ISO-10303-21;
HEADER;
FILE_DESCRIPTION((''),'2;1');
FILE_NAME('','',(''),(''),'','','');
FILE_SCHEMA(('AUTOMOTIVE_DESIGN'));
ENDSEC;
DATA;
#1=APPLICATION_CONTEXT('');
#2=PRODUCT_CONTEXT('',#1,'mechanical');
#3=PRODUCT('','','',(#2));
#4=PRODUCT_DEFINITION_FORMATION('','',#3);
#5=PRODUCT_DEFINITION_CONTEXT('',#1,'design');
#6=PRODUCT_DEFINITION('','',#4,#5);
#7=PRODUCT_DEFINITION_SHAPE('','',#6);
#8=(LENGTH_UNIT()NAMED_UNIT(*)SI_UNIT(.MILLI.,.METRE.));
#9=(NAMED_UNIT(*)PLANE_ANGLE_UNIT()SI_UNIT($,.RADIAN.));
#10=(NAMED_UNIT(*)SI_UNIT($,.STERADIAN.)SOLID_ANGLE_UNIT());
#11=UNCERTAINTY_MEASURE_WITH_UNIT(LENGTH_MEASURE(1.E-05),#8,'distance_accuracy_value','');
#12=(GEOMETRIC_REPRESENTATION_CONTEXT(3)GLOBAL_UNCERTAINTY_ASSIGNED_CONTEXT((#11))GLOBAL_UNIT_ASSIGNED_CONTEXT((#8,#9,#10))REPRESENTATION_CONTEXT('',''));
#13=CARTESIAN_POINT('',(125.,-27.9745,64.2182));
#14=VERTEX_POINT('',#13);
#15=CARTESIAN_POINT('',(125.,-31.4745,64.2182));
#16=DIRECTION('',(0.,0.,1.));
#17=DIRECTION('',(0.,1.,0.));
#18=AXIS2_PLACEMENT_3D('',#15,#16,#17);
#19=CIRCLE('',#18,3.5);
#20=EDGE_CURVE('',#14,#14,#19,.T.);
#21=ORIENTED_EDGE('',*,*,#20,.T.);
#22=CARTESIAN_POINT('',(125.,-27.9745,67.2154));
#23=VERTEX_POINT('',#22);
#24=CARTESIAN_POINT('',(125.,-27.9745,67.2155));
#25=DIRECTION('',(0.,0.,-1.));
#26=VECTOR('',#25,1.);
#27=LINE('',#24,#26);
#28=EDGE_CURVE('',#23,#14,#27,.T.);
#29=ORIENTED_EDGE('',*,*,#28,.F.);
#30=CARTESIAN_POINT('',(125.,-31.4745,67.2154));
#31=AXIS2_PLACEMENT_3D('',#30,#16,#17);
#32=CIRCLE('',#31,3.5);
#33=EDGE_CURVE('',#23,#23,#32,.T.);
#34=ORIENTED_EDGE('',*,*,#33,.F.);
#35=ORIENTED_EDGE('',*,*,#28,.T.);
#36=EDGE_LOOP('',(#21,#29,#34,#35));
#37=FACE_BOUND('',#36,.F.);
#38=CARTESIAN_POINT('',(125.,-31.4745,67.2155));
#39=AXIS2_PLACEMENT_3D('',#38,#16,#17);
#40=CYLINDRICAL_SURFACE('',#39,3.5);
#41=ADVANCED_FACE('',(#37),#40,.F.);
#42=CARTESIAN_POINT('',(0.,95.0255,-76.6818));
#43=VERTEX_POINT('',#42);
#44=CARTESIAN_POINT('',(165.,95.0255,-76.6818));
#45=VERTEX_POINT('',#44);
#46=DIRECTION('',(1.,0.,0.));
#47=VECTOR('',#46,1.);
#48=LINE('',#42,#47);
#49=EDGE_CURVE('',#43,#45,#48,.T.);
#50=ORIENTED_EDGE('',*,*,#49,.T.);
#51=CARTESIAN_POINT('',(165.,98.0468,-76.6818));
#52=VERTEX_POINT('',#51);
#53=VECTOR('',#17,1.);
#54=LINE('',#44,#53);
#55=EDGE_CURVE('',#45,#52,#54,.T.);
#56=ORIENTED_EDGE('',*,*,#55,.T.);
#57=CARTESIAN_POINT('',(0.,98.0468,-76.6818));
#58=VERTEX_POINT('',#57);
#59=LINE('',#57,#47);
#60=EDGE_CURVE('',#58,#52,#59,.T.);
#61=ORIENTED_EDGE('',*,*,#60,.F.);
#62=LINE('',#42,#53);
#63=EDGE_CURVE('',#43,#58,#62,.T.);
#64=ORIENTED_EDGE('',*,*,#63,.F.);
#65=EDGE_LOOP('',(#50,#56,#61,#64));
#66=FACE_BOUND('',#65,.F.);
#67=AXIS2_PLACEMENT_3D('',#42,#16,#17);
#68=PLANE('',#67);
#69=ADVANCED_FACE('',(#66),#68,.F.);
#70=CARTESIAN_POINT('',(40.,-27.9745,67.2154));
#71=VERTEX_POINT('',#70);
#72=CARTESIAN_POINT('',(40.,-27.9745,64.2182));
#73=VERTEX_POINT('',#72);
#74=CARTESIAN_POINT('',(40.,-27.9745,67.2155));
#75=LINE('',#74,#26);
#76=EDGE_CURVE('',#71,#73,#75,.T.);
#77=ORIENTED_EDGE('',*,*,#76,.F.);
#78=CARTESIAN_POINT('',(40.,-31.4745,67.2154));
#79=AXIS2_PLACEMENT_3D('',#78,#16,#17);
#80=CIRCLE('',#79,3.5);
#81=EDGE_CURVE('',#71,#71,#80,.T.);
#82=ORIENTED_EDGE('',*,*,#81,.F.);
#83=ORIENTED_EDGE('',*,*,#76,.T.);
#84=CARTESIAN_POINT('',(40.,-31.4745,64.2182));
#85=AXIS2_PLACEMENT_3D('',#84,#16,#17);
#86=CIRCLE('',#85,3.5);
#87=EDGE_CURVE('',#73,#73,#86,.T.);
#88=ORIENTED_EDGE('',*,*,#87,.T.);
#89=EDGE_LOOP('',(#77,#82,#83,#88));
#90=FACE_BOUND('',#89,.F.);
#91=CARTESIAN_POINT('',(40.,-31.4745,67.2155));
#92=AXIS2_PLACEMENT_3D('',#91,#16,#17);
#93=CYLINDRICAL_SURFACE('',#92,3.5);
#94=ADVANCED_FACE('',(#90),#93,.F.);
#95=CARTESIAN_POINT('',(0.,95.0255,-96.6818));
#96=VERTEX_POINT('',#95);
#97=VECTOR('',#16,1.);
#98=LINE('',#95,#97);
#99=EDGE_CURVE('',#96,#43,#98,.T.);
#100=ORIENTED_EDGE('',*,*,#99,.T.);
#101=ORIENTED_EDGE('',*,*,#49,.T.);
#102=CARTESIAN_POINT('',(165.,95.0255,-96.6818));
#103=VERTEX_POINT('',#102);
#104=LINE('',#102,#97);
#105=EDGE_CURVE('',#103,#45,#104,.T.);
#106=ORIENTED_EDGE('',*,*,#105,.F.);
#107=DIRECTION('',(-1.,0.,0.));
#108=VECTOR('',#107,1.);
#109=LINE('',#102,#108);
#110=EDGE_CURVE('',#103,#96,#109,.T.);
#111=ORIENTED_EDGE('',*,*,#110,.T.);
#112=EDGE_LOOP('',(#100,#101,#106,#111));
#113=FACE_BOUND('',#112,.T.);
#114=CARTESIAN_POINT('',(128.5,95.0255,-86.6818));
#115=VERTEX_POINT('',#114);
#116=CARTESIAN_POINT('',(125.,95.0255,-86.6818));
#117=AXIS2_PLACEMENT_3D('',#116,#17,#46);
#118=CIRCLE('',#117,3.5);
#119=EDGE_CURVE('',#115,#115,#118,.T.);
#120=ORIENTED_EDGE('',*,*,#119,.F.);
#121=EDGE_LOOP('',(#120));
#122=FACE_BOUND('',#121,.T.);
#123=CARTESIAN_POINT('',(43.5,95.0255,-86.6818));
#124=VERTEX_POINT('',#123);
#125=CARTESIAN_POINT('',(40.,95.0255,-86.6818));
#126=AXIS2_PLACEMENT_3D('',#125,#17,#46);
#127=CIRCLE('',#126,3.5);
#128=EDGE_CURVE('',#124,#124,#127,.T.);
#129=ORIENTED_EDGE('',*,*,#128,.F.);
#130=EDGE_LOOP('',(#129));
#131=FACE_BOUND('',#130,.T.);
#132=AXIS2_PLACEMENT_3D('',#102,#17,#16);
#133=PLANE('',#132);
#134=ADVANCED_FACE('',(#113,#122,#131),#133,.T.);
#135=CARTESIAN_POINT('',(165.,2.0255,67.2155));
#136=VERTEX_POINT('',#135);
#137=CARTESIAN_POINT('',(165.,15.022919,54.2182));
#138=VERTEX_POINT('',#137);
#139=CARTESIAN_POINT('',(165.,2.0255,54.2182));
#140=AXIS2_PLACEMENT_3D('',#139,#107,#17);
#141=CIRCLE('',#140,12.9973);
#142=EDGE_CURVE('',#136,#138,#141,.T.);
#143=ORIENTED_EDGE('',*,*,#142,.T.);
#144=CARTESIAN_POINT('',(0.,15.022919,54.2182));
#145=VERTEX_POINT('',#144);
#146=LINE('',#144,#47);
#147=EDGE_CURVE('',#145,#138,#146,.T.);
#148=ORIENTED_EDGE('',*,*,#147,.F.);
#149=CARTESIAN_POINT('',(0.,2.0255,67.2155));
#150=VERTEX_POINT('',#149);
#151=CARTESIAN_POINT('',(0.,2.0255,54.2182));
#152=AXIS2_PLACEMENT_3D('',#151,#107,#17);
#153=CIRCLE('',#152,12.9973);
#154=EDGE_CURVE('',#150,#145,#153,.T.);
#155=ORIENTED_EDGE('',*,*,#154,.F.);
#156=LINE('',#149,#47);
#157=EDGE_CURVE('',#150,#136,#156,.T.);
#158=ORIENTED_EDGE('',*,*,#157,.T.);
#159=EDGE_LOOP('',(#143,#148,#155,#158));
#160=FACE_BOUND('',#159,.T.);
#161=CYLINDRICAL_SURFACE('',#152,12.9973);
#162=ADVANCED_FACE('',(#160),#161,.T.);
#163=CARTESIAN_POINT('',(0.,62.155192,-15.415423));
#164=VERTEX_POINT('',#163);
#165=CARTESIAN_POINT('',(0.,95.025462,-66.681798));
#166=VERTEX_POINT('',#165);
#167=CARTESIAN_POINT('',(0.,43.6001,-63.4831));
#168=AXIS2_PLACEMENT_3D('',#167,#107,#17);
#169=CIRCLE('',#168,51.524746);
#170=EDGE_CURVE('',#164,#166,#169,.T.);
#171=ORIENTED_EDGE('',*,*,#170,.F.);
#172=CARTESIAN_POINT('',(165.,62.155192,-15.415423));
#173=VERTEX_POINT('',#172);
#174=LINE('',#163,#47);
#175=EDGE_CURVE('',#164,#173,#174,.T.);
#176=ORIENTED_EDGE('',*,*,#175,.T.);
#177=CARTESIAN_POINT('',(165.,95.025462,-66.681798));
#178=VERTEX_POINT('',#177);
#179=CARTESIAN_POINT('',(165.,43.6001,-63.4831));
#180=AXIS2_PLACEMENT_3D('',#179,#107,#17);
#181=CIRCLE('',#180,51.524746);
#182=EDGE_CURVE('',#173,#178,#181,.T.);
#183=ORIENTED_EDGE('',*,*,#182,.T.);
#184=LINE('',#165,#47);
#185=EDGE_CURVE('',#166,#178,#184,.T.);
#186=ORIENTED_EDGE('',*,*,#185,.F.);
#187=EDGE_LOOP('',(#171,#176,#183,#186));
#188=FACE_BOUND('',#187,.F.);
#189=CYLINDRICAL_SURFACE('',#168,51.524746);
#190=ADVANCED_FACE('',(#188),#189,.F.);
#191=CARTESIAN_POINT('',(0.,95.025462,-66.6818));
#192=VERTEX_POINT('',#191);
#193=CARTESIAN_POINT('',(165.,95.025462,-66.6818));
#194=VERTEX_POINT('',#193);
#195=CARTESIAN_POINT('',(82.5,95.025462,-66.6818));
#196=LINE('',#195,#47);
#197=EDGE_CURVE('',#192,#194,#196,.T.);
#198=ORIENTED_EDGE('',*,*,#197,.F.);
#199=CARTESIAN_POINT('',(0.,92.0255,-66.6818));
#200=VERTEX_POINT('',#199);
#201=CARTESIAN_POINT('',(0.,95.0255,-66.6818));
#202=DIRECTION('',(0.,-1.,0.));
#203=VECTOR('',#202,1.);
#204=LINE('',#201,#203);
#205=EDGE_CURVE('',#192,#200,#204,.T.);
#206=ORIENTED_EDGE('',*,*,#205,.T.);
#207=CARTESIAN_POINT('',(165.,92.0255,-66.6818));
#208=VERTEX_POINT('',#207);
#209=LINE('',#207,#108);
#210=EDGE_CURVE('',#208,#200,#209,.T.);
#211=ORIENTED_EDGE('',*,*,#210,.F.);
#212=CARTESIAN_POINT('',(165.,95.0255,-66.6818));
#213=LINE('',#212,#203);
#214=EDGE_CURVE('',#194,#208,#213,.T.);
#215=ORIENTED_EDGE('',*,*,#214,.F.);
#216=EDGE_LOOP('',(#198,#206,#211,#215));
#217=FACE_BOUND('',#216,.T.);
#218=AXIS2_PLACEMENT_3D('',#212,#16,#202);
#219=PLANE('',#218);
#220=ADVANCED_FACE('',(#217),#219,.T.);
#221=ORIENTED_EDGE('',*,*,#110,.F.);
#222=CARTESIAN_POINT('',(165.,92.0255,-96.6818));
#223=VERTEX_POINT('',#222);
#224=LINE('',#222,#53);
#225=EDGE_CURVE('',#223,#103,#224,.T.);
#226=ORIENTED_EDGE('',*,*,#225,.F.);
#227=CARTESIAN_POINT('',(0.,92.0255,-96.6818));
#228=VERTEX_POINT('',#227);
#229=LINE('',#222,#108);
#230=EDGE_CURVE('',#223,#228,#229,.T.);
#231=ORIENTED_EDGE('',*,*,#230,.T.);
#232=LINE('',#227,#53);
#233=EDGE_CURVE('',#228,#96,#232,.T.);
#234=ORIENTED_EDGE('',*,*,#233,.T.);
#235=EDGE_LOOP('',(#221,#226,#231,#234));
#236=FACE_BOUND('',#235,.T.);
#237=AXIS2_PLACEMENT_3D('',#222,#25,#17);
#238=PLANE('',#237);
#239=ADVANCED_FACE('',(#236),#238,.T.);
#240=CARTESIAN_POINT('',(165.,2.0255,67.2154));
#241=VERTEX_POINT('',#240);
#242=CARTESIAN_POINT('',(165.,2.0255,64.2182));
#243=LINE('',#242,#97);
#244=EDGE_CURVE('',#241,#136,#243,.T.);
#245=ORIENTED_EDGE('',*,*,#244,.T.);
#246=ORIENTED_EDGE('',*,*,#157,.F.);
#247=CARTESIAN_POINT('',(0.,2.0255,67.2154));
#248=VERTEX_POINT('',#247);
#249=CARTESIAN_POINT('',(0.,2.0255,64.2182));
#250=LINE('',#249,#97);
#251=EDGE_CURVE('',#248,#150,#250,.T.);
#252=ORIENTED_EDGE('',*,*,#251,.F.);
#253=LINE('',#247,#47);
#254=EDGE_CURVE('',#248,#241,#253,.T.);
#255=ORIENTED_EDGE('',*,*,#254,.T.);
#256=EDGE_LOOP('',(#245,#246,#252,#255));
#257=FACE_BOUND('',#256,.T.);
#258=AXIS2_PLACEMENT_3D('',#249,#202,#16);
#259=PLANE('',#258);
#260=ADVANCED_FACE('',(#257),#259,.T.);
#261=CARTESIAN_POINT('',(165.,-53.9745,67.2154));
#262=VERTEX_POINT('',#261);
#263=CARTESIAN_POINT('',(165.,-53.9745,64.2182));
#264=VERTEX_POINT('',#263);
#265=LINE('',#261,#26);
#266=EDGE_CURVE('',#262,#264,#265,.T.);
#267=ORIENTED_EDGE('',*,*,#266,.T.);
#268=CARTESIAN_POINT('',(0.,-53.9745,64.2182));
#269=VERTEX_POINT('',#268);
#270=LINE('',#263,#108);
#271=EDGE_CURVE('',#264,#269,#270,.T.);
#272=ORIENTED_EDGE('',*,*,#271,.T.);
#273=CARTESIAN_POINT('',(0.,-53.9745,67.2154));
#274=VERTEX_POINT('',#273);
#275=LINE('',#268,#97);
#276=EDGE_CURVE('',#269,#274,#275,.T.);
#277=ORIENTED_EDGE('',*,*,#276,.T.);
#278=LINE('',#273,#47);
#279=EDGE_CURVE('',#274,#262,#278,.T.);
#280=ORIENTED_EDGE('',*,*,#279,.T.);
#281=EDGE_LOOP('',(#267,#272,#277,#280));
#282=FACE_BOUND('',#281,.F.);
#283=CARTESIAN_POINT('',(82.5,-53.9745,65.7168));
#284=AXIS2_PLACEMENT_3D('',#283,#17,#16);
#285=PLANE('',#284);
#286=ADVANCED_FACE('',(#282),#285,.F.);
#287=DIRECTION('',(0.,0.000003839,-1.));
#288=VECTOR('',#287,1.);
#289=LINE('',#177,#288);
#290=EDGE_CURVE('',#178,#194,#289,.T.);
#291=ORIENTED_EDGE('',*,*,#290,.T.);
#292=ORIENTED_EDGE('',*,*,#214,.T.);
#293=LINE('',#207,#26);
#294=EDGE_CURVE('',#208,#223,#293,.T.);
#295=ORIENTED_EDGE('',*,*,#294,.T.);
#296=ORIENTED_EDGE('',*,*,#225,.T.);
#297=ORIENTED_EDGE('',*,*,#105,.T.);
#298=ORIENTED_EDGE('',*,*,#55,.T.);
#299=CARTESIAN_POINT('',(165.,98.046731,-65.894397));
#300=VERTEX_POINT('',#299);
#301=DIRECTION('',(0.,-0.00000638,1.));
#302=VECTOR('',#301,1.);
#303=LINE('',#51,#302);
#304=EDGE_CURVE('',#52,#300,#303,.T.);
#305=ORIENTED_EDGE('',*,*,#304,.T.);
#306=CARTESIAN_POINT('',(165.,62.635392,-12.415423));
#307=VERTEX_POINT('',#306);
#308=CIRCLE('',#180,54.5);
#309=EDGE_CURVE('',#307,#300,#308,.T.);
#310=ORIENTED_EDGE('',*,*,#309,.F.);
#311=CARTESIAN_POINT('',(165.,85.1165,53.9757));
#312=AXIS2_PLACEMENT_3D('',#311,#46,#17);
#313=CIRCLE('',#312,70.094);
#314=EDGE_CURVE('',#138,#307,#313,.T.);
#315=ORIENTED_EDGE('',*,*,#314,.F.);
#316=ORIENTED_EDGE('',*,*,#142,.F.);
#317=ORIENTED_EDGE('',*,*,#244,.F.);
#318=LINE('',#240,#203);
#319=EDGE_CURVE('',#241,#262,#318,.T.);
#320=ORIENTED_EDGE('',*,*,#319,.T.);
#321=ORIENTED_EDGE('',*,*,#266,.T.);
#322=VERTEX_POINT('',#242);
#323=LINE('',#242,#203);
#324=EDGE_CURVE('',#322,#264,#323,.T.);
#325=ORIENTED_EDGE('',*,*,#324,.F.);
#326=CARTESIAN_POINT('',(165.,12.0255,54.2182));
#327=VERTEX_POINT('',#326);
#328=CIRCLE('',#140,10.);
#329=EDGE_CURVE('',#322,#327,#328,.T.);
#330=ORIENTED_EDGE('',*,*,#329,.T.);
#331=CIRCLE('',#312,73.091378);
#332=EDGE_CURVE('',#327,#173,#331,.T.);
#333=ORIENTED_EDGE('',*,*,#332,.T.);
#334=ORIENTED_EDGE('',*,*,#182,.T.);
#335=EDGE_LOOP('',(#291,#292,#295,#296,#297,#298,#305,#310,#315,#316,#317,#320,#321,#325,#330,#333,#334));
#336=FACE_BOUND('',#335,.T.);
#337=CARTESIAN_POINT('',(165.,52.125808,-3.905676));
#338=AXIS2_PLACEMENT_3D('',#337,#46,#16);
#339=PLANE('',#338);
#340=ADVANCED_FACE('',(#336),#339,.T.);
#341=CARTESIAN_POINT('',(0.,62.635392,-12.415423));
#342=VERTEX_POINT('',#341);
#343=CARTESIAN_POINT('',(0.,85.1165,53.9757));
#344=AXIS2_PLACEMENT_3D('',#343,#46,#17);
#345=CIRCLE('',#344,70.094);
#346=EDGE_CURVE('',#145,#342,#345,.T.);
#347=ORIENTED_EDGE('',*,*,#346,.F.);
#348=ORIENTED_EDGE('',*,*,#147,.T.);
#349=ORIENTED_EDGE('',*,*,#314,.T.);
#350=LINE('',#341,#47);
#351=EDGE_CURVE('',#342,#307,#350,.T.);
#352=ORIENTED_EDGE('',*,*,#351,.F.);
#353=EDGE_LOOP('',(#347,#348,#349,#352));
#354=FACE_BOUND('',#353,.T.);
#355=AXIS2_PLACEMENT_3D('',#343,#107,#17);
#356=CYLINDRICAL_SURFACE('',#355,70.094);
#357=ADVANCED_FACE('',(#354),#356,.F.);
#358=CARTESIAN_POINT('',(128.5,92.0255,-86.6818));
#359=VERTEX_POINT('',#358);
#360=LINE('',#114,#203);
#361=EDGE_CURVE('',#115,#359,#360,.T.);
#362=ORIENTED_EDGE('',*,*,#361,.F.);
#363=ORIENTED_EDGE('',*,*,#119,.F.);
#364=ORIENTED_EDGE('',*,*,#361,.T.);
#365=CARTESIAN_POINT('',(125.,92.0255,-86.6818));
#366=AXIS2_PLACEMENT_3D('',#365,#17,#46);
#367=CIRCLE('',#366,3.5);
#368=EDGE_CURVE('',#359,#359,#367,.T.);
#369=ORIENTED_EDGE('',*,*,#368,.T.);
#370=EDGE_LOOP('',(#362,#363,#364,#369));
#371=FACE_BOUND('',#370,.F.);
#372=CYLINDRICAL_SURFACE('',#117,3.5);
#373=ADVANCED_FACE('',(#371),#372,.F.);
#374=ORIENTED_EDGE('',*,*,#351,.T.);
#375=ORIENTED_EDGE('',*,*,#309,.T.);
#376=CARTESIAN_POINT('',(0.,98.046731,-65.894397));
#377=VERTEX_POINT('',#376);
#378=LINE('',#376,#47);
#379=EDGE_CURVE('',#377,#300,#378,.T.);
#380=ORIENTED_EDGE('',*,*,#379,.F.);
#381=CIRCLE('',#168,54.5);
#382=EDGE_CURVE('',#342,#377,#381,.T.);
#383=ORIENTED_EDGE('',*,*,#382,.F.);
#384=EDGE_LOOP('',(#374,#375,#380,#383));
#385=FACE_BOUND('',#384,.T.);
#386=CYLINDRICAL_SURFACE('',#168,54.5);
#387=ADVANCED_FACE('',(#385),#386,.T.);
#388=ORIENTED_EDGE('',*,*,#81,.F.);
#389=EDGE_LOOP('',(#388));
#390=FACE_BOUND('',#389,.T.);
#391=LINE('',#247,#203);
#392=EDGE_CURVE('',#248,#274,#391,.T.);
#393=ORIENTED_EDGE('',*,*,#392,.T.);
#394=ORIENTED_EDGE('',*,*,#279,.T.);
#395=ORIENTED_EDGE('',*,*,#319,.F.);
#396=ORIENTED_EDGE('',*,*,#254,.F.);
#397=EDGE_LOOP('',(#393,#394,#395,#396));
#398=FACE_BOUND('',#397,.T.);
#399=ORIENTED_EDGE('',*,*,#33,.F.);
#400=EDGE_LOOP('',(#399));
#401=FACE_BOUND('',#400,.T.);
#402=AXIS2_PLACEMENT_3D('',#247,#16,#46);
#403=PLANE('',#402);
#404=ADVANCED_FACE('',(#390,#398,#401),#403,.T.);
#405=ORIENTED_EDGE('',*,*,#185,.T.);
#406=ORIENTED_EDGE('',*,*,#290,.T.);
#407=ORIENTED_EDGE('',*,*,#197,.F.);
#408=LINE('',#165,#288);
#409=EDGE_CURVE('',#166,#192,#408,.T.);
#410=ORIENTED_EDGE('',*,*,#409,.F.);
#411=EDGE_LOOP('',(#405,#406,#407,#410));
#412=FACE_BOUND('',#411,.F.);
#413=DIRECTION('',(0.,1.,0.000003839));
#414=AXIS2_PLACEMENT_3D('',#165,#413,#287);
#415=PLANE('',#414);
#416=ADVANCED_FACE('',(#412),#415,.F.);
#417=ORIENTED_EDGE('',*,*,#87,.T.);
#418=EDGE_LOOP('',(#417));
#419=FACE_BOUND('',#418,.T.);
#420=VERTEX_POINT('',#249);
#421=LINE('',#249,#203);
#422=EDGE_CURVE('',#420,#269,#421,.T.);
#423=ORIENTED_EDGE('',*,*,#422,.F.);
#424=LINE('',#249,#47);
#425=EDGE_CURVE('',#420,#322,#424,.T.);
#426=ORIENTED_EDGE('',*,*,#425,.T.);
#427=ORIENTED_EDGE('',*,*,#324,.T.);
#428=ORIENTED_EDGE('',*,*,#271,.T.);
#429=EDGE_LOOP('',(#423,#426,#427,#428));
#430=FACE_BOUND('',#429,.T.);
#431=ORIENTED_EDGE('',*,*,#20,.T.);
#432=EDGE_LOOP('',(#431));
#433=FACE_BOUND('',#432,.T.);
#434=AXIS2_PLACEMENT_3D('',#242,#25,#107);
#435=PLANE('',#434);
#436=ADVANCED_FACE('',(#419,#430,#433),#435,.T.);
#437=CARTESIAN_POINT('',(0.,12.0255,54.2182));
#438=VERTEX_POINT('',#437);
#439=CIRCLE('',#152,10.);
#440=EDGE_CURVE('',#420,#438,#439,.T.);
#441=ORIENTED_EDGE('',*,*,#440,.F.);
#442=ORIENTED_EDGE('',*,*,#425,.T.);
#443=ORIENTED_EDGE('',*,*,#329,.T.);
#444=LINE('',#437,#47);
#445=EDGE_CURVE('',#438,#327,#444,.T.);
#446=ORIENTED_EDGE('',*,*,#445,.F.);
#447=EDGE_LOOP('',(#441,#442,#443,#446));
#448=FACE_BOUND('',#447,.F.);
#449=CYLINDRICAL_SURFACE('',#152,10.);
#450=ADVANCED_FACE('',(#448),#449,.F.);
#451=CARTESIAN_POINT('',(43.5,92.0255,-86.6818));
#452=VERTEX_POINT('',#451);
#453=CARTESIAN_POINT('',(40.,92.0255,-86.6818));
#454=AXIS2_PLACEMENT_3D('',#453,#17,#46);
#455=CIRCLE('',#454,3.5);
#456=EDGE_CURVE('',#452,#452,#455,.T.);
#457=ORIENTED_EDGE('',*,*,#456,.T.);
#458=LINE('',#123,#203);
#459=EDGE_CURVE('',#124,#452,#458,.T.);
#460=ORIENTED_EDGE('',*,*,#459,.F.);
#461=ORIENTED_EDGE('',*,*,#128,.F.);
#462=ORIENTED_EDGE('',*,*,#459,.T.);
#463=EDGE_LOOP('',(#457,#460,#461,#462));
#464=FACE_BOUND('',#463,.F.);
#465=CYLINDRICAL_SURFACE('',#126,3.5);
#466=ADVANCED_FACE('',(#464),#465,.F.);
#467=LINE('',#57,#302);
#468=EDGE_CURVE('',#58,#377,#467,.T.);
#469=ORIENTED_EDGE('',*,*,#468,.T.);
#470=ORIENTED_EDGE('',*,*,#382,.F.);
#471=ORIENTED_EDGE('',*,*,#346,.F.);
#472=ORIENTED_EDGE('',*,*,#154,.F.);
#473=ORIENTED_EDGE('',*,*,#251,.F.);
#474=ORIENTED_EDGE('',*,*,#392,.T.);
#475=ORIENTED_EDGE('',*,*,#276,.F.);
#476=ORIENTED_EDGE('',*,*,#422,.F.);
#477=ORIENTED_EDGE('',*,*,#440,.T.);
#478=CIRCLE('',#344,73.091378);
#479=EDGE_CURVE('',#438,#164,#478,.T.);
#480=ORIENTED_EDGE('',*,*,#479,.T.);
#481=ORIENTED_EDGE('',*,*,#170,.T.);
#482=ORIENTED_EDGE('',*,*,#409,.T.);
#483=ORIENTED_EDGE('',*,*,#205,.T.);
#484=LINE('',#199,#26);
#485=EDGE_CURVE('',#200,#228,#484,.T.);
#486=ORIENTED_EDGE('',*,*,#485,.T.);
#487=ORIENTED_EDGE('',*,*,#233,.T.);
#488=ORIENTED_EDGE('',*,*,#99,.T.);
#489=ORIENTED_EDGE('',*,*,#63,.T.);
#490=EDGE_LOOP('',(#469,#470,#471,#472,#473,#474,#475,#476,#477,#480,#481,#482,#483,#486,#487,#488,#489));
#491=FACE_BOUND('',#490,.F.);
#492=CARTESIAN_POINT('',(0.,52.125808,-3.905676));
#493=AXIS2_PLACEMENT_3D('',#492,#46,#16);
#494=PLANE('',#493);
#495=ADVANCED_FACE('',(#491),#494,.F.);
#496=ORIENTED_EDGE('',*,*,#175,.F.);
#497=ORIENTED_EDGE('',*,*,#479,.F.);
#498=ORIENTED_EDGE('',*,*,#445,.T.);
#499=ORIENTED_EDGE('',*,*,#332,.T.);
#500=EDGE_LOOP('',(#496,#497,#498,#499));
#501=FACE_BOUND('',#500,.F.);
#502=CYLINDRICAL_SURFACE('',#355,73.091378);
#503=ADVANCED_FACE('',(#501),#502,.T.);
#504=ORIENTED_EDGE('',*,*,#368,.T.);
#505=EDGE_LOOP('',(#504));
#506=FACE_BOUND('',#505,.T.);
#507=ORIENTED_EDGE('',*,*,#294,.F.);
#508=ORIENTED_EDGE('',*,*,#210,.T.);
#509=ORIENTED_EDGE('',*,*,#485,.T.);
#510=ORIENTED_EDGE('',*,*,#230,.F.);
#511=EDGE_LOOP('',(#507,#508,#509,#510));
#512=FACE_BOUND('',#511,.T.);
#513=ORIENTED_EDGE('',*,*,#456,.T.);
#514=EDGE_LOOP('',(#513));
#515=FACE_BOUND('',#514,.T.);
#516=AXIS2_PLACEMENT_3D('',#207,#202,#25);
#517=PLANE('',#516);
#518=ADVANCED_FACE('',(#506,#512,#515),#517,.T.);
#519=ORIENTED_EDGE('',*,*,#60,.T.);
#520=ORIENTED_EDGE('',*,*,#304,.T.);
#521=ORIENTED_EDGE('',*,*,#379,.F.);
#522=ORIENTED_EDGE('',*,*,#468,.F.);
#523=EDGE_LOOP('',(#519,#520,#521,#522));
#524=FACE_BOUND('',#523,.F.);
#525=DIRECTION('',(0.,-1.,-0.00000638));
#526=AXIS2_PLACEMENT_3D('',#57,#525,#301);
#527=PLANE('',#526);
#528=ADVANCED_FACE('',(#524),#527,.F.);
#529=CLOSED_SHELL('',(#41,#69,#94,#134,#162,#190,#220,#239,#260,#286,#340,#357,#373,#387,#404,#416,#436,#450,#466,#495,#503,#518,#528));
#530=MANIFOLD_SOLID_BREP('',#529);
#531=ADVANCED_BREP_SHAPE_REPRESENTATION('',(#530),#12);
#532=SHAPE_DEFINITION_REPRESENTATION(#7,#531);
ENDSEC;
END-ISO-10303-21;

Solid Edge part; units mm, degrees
sketch "Sketch1" plane through (0, 0, 0) normal (1, 0, 0) x (0, 1, 0)
  arc A0 (2.0255, 64.2182) -> (12.0255, 54.2182) centre (2.0255, 54.2182) cw
  arc A1 (12.0255, 54.2182) -> (62.1552, -15.4154) centre (85.1165, 53.9757) ccw
  arc A2 (62.1552, -15.4154) -> (95.0255, -66.6818) centre (43.6001, -63.4831) cw
  line L0 (95.0255, -66.6818) -> (95.0255, -76.6818)
  line L1 (95.0255, -76.6818) -> (98.0468, -76.6818)
  line L2 (98.0468, -76.6818) -> (98.0468, -65.8944)
  arc A3 (62.6354, -12.4154) -> (98.0468, -65.8944) centre (43.6001, -63.4831) cw
  arc A4 (15.0228, 54.2182) -> (62.6354, -12.4154) centre (85.1165, 53.9757) ccw
  arc A5 (2.0255, 67.2155) -> (15.0228, 54.2182) centre (2.0255, 54.2182) cw
  line L3 (2.0255, 64.2182) -> (2.0255, 67.2155)
  dimension "D1" = 130.9
  dimension "D2" = 93
  dimension "D3" = 10
  dimension "D4" = 10
  dimension "D5" = 3
  dimension "D6" = 2.9973
  dimension "D7" = 12.9973
extrude "Protrusion1" add sketch "Sketch1" along normal blind 165
sketch "Sketch2" plane through (75, 2.0255, 65.7168) normal (0, -1, 0) x (1, 0, 0)
  line L0 (-75, 1.4986) -> (90, 1.4986)
  line L1 (90, 1.4986) -> (90, -1.4986)
  line L2 (90, -1.4986) -> (-75, -1.4986)
  line L3 (-75, -1.4986) -> (-75, 1.4986)
extrude "Extrusionsausprägung_2" add sketch "Sketch2" along normal blind 56
sketch "Sketch3" plane through (82.5, -22.9745, 67.2155) normal (0, 0, 1) x (0, 1, 0)
  circle A0 centre (-8.5, 42.5) radius 3.5
  circle A1 centre (-8.5, -42.5) radius 3.5
  dimension "D1" = 40
  dimension "D2" = 22.5
  dimension "D3" = 7
extrude "Cutout1" cut sketch "Sketch3" against normal through all
sketch "Sketch4" plane through (165, 28.0437, -4.7332) normal (1, 0, 0) x (0, 1, 0)
  line L0 (66.9818, -61.9486) -> (63.9818, -61.9486)
  line L1 (63.9818, -61.9486) -> (63.9818, -91.9486)
  line L2 (63.9818, -91.9486) -> (66.9818, -91.9486)
  line L3 (66.9818, -91.9486) -> (66.9818, -61.9486)
  dimension "D1" = 3
  dimension "D2" = 30
extrude "Protrusion2" add sketch "Sketch4" against normal up to vertex (165 mm away)
sketch "Sketch5" plane through (82.5, 95.0255, -86.6818) normal (0, 1, 0) x (1, 0, 0)
  circle A0 centre (-42.5, 0) radius 3.5
  circle A1 centre (42.5, 0) radius 3.5
  dimension "D1" = 85
  dimension "D2" = 7
extrude "Cutout2" cut sketch "Sketch5" against normal through all
properties material "Nylon, allgemein"
